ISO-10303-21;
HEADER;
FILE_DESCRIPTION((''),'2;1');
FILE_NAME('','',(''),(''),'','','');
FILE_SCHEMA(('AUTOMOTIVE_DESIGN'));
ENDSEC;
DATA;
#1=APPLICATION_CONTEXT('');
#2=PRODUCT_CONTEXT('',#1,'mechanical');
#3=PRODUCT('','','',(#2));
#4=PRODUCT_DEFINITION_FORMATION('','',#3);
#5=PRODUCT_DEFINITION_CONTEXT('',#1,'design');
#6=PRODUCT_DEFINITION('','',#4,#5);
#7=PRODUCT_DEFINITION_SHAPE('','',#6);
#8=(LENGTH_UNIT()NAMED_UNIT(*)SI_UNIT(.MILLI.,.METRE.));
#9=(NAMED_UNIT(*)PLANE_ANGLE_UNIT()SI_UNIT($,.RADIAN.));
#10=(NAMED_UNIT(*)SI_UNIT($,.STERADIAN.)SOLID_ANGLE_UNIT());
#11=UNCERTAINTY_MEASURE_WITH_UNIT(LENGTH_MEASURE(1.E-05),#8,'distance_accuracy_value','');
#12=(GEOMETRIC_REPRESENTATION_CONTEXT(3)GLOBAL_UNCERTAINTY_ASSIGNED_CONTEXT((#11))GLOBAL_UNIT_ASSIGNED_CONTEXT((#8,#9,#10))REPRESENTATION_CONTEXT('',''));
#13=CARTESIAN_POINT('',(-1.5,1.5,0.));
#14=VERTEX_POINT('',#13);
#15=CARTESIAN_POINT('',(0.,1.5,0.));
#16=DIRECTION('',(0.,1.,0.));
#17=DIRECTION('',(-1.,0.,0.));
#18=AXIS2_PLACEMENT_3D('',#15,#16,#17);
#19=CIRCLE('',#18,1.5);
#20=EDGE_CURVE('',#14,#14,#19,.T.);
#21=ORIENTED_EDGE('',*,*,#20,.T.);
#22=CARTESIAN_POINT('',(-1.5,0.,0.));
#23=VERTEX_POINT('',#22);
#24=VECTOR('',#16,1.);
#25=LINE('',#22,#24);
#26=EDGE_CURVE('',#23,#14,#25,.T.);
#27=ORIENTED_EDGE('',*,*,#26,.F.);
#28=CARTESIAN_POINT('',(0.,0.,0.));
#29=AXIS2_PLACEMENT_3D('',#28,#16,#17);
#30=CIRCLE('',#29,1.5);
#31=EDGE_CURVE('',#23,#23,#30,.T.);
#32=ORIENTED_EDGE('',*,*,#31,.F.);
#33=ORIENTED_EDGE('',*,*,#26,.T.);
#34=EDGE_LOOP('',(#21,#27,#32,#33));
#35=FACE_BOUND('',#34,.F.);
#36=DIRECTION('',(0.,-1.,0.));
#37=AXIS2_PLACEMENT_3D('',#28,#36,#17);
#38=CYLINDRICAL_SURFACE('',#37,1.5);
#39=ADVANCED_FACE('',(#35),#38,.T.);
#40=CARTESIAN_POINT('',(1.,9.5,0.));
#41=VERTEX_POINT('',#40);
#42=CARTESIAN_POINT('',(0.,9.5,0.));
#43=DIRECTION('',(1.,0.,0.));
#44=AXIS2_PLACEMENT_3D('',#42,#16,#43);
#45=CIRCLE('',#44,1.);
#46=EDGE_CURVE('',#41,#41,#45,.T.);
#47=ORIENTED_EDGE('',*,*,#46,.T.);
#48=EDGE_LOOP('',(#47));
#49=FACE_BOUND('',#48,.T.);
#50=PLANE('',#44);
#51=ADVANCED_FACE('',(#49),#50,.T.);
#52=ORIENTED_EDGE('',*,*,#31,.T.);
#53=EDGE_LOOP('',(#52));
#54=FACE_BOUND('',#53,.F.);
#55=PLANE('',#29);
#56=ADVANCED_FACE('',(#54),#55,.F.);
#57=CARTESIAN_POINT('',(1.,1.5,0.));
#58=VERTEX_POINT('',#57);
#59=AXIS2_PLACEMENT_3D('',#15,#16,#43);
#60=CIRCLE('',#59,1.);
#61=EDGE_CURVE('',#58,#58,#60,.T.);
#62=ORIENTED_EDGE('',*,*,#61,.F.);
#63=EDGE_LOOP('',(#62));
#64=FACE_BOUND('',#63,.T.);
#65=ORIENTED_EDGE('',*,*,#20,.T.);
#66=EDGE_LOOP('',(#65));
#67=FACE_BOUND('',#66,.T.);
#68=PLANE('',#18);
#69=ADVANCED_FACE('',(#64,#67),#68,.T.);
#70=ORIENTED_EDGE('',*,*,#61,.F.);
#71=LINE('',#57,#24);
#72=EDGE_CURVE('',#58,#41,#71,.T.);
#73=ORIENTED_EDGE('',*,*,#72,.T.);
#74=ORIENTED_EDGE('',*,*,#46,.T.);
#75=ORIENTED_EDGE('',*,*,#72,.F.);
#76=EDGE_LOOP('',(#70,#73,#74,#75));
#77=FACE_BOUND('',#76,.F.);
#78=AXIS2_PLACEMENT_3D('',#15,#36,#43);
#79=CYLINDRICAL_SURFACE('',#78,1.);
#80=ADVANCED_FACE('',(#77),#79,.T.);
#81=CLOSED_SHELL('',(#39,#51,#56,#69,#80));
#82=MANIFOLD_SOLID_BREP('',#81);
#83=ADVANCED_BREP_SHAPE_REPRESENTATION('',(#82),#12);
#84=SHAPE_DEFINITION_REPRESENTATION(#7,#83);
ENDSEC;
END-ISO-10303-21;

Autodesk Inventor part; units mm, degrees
ref_plane "YZ Plane" through (0, 0, 0) normal (1, 0, 0) x (0, 1, 0)
ref_plane "XZ Plane" through (0, 0, 0) normal (0, 1, 0) x (-1, 0, 0)
ref_plane "XY Plane" through (0, 0, 0) normal (0, 0, 1) x (1, 0, 0)
sketch "Sketch1" plane through (0, 0, 0) normal (0, 1, 0) x (-1, 0, 0)
  circle A0 centre (0, 0) radius 1.5
  dimension "d0" = 3
extrude "Extrusion1" add sketch "Sketch1" along normal blind 1.5
sketch "Sketch2" plane through (0, 1.5, 0) normal (0, 1, 0) x (1, 0, 0)
  circle A0 centre (0, 0) radius 1.5 projected
  circle A1 centre (0, 0) radius 1
  dimension "d3" = 2
extrude "Extrusion2" add sketch "Sketch2" along normal blind 8 contours A1
thread "Thread1" size "M2x0.4" class "6g" standard "ANSI Metric M Profile" full length
properties part number "M2x8"
